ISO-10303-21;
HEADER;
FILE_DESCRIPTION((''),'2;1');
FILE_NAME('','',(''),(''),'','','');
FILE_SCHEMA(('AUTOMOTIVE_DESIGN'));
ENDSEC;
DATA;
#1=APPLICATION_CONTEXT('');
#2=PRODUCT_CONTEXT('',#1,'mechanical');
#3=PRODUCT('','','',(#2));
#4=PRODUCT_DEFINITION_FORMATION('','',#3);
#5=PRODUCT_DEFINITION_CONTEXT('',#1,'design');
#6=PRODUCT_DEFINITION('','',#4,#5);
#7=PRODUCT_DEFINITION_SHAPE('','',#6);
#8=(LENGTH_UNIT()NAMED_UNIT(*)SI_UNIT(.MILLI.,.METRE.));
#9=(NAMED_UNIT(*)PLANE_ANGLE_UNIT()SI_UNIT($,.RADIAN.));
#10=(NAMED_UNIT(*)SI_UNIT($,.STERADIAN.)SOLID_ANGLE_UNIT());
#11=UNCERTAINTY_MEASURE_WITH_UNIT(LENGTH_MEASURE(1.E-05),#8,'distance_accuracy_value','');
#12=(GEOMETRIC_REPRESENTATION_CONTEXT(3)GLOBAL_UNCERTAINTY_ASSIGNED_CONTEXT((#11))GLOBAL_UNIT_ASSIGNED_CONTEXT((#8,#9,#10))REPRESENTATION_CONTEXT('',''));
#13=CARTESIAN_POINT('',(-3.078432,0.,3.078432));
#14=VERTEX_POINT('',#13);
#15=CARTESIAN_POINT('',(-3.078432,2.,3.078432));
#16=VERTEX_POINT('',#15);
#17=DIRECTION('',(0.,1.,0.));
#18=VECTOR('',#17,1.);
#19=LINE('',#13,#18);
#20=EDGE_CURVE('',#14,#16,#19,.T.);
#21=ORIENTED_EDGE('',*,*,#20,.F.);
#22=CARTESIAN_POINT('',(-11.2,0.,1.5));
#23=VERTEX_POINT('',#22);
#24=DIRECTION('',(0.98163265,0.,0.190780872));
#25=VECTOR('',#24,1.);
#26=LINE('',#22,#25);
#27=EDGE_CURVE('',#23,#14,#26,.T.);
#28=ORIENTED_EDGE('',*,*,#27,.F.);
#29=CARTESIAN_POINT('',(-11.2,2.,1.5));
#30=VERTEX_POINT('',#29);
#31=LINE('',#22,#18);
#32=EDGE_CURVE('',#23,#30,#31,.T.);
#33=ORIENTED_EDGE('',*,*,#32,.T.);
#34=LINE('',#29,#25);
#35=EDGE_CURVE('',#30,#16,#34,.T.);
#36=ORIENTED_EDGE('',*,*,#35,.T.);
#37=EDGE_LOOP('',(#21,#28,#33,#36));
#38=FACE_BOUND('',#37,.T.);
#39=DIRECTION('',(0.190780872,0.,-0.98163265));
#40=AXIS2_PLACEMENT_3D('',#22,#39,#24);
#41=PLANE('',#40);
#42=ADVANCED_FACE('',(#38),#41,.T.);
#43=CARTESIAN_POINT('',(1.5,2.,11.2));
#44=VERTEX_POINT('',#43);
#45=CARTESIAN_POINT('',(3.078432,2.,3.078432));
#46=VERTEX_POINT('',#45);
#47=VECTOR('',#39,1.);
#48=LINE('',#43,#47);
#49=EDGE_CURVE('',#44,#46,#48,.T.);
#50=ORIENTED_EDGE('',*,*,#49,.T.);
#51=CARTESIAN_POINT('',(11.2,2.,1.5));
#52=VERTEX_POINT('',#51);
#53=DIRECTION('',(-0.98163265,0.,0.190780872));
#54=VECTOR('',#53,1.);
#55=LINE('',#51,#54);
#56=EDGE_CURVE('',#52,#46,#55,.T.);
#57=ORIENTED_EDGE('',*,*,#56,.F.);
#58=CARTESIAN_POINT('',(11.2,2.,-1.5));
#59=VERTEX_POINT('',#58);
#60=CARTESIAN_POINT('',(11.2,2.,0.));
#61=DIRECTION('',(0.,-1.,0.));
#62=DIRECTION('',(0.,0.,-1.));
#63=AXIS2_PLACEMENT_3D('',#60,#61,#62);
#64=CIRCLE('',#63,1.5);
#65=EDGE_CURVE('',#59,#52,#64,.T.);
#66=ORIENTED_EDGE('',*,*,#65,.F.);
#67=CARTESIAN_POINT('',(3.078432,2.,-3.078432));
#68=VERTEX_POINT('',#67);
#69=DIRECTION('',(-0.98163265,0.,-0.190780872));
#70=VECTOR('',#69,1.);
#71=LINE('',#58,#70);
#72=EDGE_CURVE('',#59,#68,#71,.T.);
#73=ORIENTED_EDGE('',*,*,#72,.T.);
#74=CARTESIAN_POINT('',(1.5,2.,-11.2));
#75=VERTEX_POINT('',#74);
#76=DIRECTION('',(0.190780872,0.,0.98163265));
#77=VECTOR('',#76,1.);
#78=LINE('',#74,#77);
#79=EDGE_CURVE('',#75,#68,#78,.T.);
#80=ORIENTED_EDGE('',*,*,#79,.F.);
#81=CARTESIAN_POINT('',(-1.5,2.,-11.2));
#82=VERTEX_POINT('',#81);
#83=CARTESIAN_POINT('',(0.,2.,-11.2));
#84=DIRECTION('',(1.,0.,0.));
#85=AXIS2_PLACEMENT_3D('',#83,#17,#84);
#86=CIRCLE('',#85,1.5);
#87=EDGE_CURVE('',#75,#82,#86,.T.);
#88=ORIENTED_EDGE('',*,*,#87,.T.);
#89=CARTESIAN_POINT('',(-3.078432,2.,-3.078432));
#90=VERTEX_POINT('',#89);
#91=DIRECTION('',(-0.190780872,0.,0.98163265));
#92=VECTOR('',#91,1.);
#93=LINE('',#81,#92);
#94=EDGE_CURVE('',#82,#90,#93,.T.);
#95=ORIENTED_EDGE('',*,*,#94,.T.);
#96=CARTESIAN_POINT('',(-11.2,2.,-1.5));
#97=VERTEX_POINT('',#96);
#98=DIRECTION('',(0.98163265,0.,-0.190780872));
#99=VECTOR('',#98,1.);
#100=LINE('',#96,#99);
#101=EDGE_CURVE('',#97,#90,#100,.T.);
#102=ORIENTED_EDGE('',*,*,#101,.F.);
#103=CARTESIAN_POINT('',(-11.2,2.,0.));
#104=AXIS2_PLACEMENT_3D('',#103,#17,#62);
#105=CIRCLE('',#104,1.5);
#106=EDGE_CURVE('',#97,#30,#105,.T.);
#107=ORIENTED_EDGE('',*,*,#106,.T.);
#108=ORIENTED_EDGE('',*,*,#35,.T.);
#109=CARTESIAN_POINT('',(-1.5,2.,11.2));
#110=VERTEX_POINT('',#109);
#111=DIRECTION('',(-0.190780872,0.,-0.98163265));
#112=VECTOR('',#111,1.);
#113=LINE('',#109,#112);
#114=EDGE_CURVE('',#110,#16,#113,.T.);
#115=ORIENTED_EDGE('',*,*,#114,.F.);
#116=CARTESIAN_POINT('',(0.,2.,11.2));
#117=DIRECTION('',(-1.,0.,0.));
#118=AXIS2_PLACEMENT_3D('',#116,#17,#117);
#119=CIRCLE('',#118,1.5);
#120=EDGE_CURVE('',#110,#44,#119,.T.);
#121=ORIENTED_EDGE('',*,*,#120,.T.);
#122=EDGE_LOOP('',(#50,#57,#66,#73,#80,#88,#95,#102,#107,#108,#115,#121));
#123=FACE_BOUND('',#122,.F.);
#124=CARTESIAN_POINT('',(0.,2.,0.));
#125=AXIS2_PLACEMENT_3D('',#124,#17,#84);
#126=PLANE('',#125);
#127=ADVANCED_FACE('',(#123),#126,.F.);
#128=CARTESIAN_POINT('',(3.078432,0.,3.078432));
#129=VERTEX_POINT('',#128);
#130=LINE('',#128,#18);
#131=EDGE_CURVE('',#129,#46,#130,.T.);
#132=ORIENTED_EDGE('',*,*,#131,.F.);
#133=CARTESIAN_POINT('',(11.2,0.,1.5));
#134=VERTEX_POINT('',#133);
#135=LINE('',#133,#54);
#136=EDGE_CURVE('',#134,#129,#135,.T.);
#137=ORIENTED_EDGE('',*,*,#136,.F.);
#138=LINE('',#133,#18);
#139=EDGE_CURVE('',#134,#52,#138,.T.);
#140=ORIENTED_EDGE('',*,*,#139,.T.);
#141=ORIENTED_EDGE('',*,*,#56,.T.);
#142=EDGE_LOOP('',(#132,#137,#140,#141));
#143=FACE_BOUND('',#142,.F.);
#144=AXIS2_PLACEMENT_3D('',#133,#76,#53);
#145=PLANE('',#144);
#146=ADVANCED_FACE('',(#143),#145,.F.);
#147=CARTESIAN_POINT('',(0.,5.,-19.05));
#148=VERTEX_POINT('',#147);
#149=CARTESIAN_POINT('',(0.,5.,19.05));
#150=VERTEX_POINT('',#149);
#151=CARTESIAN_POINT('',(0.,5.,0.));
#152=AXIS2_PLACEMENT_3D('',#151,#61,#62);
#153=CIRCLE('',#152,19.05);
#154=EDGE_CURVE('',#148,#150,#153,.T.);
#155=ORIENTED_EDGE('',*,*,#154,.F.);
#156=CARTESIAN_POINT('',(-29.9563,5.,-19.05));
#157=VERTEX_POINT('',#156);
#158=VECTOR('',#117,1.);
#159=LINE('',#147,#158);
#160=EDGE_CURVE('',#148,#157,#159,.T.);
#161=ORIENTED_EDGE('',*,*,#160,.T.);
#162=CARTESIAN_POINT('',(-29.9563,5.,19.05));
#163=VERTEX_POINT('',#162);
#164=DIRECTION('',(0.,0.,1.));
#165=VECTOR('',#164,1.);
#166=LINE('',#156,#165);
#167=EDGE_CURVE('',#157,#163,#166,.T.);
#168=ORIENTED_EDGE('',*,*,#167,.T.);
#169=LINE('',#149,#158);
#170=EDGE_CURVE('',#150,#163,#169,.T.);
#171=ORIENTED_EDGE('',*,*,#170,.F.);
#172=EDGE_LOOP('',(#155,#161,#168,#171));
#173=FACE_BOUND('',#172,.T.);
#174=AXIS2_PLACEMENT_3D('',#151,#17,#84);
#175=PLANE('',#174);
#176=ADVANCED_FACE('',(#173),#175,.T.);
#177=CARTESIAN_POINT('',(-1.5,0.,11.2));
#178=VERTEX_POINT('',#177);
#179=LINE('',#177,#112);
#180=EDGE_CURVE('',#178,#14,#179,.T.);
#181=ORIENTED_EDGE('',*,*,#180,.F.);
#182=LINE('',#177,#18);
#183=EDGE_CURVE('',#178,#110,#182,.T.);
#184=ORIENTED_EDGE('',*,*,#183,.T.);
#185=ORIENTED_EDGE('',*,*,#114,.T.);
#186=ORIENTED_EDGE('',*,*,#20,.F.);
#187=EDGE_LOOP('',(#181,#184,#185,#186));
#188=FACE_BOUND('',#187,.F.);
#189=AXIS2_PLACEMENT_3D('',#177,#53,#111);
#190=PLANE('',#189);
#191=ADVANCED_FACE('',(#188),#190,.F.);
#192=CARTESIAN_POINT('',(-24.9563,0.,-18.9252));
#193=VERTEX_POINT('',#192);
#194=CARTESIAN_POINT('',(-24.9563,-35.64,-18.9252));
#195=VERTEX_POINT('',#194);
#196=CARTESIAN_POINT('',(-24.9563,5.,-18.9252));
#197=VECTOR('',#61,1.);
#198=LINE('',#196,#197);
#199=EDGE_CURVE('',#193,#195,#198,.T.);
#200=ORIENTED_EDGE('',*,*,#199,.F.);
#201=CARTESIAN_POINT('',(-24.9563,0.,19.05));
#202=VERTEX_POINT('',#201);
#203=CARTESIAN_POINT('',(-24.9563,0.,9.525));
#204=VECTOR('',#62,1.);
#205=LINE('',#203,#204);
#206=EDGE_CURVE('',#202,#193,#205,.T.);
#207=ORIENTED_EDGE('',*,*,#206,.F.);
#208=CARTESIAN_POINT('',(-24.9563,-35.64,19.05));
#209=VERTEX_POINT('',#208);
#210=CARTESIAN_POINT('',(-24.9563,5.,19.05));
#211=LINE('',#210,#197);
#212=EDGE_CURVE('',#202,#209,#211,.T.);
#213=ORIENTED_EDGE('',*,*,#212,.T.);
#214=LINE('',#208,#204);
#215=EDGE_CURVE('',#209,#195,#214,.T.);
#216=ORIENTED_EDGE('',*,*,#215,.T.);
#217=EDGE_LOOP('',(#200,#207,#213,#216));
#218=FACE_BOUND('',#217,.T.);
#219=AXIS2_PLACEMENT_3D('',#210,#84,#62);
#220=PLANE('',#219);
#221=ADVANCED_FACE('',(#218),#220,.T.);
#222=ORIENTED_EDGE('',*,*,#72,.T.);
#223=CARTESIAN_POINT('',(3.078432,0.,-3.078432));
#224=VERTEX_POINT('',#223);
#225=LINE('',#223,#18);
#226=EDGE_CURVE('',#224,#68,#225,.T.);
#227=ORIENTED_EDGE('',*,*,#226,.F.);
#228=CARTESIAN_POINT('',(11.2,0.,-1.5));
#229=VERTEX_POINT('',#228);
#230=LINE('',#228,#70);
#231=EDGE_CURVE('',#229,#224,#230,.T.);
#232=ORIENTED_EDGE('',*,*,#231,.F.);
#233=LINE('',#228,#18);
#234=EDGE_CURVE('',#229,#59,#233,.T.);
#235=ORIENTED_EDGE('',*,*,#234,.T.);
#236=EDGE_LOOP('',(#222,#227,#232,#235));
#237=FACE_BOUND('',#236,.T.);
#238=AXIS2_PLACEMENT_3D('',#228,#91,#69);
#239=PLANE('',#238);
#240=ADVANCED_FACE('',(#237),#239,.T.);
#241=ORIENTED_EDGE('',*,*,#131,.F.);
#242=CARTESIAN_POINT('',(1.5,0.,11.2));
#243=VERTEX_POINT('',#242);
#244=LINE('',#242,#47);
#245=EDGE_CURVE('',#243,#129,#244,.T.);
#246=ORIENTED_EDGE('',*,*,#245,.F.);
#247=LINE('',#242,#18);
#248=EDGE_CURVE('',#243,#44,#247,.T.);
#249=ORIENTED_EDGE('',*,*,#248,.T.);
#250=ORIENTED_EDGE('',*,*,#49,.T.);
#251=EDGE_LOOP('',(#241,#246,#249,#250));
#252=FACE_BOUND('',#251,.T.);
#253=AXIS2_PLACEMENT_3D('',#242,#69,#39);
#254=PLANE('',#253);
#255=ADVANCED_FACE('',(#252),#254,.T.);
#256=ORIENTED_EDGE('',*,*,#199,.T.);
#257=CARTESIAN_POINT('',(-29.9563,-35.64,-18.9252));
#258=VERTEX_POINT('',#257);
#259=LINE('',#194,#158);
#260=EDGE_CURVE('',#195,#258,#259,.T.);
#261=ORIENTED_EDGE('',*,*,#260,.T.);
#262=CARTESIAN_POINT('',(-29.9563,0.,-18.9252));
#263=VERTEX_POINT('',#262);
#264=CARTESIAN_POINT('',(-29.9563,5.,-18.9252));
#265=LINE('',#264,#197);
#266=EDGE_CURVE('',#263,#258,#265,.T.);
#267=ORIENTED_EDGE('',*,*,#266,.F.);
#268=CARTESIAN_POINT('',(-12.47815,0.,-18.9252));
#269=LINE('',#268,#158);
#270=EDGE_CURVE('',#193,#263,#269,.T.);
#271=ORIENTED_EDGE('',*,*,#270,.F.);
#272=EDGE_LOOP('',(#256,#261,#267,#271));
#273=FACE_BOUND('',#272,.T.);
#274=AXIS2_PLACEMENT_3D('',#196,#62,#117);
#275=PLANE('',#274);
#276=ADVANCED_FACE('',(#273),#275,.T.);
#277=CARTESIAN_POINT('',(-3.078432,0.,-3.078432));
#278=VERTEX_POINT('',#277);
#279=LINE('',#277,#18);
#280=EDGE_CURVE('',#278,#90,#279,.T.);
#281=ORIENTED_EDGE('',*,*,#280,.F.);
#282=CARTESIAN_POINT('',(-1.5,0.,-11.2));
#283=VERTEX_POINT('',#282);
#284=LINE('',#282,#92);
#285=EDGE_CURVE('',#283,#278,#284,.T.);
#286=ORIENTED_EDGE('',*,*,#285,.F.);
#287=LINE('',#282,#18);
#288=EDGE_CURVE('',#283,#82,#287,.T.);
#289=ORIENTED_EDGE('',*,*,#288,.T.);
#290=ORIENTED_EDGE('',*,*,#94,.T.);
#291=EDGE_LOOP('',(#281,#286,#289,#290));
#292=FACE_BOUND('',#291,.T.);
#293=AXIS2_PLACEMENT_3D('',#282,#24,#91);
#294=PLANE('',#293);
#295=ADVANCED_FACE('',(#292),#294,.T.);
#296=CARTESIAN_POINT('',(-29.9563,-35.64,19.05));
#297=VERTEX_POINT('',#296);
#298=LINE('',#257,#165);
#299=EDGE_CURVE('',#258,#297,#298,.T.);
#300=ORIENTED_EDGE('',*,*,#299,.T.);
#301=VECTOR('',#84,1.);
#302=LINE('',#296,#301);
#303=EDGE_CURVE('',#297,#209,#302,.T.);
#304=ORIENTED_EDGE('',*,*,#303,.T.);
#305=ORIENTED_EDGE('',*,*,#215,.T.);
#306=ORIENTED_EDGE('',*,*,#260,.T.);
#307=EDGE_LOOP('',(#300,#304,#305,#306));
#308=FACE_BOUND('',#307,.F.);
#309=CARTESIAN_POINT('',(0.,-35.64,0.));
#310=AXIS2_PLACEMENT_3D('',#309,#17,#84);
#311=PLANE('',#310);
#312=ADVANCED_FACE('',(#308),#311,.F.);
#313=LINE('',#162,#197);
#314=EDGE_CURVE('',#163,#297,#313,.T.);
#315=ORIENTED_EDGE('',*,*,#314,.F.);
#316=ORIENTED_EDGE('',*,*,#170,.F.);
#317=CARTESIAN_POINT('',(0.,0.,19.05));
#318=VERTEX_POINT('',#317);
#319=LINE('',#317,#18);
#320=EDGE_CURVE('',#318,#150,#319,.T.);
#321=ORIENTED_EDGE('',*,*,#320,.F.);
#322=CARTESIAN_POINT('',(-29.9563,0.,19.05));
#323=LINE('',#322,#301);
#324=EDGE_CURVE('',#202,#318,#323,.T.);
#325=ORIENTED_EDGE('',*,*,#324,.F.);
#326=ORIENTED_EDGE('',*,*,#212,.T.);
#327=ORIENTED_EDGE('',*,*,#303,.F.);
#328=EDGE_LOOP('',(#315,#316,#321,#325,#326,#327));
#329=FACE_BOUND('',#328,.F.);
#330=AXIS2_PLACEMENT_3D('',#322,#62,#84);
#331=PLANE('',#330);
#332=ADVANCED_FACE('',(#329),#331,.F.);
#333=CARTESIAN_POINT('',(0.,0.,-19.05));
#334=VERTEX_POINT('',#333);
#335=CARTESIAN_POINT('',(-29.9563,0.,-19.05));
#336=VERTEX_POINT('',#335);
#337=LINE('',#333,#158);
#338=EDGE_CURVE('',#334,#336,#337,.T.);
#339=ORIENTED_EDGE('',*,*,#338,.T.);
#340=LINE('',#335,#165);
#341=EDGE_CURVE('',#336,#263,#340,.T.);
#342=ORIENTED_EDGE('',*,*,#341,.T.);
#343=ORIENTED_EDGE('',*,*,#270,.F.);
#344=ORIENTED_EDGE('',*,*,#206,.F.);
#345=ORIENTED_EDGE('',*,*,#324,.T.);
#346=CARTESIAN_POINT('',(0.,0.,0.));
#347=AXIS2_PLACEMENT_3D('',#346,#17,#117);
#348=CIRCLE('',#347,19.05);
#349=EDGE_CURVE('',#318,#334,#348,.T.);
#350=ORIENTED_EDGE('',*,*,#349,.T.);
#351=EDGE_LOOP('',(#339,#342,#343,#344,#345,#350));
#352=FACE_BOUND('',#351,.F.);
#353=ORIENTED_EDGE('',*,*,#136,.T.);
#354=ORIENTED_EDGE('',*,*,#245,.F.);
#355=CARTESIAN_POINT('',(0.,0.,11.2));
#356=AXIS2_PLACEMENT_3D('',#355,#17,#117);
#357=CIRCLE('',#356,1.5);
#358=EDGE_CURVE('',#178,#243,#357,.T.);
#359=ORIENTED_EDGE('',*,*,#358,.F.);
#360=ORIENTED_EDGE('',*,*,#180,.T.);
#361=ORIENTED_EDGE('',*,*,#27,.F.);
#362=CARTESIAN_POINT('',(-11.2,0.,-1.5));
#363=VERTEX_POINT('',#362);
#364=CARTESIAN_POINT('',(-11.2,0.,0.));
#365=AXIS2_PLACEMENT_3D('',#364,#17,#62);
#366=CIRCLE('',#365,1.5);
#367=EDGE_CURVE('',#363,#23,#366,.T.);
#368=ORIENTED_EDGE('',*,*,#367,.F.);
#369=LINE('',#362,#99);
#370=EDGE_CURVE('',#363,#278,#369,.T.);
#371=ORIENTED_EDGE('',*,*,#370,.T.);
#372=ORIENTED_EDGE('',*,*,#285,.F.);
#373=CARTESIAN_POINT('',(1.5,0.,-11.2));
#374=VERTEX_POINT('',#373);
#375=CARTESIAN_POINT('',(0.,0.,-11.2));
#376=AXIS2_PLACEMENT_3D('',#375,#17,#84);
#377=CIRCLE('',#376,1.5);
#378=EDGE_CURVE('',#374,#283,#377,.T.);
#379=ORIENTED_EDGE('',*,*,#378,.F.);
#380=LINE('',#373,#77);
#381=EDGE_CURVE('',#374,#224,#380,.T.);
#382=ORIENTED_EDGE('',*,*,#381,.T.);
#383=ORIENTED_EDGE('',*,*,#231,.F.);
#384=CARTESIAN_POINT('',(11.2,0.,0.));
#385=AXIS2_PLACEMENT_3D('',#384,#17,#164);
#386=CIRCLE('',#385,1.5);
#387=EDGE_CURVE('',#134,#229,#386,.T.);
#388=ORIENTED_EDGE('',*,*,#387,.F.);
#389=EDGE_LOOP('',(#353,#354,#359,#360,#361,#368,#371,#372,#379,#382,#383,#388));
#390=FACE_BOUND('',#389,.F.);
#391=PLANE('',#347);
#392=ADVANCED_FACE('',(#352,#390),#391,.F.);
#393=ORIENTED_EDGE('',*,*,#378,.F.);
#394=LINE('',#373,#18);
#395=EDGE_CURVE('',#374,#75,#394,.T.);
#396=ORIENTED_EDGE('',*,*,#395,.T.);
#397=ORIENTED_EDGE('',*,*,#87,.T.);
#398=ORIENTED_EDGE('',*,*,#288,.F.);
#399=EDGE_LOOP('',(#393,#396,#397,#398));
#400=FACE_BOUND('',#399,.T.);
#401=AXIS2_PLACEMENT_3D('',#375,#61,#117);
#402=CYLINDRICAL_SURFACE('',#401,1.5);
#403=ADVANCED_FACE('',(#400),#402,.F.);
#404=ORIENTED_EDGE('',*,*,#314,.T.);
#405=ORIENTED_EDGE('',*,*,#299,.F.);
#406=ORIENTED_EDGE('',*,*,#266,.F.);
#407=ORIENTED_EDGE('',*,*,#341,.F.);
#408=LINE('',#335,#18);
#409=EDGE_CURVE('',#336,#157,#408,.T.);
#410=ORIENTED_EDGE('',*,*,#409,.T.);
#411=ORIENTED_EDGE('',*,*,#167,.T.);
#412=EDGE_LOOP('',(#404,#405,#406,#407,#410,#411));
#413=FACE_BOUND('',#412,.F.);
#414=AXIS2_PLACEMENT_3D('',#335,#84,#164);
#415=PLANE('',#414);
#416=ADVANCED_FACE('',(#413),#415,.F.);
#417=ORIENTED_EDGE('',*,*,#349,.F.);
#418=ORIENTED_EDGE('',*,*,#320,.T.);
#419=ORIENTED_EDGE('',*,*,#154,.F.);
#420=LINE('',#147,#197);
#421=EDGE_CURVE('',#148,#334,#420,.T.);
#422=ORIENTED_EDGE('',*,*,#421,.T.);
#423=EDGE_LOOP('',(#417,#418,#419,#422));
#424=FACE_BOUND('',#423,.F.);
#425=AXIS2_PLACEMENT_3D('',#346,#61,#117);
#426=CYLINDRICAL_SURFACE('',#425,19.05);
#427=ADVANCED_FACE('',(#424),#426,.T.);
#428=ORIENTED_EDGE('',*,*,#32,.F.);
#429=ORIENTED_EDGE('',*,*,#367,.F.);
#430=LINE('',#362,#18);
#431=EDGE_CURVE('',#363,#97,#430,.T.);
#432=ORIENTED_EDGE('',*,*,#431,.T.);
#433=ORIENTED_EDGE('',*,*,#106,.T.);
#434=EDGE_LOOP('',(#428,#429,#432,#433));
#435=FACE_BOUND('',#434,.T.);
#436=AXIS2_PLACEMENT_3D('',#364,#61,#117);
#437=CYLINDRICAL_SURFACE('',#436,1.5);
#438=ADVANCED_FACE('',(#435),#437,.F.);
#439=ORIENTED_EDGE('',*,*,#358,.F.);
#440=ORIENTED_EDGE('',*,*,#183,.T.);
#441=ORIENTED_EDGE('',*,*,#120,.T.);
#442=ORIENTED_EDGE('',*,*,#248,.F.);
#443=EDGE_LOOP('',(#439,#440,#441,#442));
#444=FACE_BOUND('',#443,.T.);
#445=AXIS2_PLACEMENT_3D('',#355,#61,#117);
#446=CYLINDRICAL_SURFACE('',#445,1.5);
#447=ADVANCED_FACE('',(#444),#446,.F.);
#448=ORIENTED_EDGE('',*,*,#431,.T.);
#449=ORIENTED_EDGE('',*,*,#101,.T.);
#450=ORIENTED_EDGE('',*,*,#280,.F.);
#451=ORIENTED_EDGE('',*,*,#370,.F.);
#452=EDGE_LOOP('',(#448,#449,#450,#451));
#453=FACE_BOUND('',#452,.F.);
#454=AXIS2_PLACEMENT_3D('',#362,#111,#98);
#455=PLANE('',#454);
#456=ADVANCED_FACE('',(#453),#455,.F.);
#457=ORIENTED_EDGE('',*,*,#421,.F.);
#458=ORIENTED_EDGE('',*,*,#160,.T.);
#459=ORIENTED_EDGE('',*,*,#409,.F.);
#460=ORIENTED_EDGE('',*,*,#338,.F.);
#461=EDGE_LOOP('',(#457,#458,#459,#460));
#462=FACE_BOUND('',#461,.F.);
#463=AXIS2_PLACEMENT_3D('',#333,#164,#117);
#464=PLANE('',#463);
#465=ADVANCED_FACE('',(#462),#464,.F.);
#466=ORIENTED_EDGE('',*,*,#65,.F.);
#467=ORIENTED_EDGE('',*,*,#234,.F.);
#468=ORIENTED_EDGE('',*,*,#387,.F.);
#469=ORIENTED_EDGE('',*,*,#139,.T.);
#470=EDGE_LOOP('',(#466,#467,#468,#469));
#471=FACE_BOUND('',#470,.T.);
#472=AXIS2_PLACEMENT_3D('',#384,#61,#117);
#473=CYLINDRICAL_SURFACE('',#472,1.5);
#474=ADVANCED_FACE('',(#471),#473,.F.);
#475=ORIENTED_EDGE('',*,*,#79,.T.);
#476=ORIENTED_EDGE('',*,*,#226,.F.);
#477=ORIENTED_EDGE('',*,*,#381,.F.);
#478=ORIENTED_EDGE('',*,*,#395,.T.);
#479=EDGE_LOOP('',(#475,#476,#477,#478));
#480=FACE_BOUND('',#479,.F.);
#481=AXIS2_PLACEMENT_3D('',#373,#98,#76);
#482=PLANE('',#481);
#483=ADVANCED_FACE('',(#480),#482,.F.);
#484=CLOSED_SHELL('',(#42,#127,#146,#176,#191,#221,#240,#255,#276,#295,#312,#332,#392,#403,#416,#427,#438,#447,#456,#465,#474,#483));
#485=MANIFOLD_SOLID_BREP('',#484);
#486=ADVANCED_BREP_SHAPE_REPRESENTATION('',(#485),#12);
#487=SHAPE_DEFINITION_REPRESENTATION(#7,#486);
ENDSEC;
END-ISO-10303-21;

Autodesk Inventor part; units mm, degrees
ref_plane "YZ Plane" through (0, 0, 0) normal (1, 0, 0) x (0, 1, 0)
ref_plane "XZ Plane" through (0, 0, 0) normal (0, 1, 0) x (-1, 0, 0)
ref_plane "XY Plane" through (0, 0, 0) normal (0, 0, 1) x (1, 0, 0)
sketch "Sketch1" plane through (0, 0, 0) normal (0, 1, 0) x (-1, 0, 0)
  circle A0 centre (0, 0) radius 19.05
  circle A1 centre (0, 0) radius 12.7
  circle A2 centre (0, 0) radius 4
  line L0 (12.7, 0) -> (11.2, 0)
  circle A3 centre (11.2, 0) radius 1.5
  line L1 (11.2, 1.5) -> (2.3814, 3.2139)
  line L2 (11.2, -1.5) -> (2.3814, -3.2139)
  circle A4 centre (0, 11.2) radius 1.5
  line L3 (-1.5, 11.2) -> (-3.2139, 2.3814)
  line L4 (1.5, 11.2) -> (3.2139, 2.3814)
  circle A5 centre (-11.2, 0) radius 1.5
  line L5 (-11.2, -1.5) -> (-2.3814, -3.2139)
  line L6 (-11.2, 1.5) -> (-2.3814, 3.2139)
  circle A6 centre (0, -11.2) radius 1.5
  line L7 (1.5, -11.2) -> (3.2139, -2.3814)
  line L8 (-1.5, -11.2) -> (-3.2139, -2.3814)
  line L9 (0, -19.05) -> (29.9563, -19.05)
  line L10 (29.9563, -19.05) -> (29.9563, 19.05)
  line L11 (29.9563, 19.05) -> (0, 19.05)
  line L12 (0, 19.05) -> (0, -19.05)
  point P0 (0, 12.7)
  point P1 (-12.7, 0)
  point P2 (0, -12.7)
  point P3 (-3.0784, -3.0784)
  point P4 (-3.0784, 3.0784)
  point P5 (3.0784, 3.0784)
  point P6 (3.0784, -3.0784)
  point P7 (0, 19.05)
  dimension "d2" = 38.1
  dimension "d3" = 25.4
  dimension "d4" = 8
  dimension "d5" = 1.5
  dimension "d6" = 360
extrude "Extrusion1" add sketch "Sketch1" along normal blind 2 contours A0 L12 A1 | A0 L11 L10 L9 | L12 A1 A0 | A4 L3 L6 A5 A1 | A1 A3 L1 L4 A4 | A6 L7 L2 A3 A1 | A1 A5 L5 L8 A6
sketch "Sketch2" plane through (0, 2, 0) normal (0, 1, 0) x (1, 0, 0)
  line L0 (0, 19.05) -> (-29.9563, 19.05) projected
  line L1 (-29.9563, -19.05) -> (0, -19.05)
  line L2 (0, -19.05) -> (0, 19.05)
  line L3 (0, 19.05) -> (-29.9563, 19.05)
  line L4 (-29.9563, 19.05) -> (-29.9563, -19.05)
  circle A0 centre (0, 0) radius 19.05
  point P0 (0, -19.05)
extrude "Extrusion2" add sketch "Sketch2" along normal blind 3
sketch "Sketch3" plane through (0, 0, 0) normal (0, -1, 0) x (1, 0, 0)
  point P0 (0, 0)
sketch "Sketch4" plane through (0, 5, 0) normal (0, 1, 0) x (1, 0, 0)
  line L0 (-29.9563, -19.05) -> (-24.9563, -19.05)
  line L1 (-24.9563, -19.05) -> (-24.9563, 18.9252)
  line L2 (-24.9563, 18.9252) -> (-29.9563, 18.9252)
  line L3 (-29.9563, 18.9252) -> (-29.9563, -19.05)
  point P0 (0, 0)
  dimension "d11" = 5
extrude "Extrusion3" add sketch "Sketch4" against normal blind 40.64
properties part number "turret y top"
